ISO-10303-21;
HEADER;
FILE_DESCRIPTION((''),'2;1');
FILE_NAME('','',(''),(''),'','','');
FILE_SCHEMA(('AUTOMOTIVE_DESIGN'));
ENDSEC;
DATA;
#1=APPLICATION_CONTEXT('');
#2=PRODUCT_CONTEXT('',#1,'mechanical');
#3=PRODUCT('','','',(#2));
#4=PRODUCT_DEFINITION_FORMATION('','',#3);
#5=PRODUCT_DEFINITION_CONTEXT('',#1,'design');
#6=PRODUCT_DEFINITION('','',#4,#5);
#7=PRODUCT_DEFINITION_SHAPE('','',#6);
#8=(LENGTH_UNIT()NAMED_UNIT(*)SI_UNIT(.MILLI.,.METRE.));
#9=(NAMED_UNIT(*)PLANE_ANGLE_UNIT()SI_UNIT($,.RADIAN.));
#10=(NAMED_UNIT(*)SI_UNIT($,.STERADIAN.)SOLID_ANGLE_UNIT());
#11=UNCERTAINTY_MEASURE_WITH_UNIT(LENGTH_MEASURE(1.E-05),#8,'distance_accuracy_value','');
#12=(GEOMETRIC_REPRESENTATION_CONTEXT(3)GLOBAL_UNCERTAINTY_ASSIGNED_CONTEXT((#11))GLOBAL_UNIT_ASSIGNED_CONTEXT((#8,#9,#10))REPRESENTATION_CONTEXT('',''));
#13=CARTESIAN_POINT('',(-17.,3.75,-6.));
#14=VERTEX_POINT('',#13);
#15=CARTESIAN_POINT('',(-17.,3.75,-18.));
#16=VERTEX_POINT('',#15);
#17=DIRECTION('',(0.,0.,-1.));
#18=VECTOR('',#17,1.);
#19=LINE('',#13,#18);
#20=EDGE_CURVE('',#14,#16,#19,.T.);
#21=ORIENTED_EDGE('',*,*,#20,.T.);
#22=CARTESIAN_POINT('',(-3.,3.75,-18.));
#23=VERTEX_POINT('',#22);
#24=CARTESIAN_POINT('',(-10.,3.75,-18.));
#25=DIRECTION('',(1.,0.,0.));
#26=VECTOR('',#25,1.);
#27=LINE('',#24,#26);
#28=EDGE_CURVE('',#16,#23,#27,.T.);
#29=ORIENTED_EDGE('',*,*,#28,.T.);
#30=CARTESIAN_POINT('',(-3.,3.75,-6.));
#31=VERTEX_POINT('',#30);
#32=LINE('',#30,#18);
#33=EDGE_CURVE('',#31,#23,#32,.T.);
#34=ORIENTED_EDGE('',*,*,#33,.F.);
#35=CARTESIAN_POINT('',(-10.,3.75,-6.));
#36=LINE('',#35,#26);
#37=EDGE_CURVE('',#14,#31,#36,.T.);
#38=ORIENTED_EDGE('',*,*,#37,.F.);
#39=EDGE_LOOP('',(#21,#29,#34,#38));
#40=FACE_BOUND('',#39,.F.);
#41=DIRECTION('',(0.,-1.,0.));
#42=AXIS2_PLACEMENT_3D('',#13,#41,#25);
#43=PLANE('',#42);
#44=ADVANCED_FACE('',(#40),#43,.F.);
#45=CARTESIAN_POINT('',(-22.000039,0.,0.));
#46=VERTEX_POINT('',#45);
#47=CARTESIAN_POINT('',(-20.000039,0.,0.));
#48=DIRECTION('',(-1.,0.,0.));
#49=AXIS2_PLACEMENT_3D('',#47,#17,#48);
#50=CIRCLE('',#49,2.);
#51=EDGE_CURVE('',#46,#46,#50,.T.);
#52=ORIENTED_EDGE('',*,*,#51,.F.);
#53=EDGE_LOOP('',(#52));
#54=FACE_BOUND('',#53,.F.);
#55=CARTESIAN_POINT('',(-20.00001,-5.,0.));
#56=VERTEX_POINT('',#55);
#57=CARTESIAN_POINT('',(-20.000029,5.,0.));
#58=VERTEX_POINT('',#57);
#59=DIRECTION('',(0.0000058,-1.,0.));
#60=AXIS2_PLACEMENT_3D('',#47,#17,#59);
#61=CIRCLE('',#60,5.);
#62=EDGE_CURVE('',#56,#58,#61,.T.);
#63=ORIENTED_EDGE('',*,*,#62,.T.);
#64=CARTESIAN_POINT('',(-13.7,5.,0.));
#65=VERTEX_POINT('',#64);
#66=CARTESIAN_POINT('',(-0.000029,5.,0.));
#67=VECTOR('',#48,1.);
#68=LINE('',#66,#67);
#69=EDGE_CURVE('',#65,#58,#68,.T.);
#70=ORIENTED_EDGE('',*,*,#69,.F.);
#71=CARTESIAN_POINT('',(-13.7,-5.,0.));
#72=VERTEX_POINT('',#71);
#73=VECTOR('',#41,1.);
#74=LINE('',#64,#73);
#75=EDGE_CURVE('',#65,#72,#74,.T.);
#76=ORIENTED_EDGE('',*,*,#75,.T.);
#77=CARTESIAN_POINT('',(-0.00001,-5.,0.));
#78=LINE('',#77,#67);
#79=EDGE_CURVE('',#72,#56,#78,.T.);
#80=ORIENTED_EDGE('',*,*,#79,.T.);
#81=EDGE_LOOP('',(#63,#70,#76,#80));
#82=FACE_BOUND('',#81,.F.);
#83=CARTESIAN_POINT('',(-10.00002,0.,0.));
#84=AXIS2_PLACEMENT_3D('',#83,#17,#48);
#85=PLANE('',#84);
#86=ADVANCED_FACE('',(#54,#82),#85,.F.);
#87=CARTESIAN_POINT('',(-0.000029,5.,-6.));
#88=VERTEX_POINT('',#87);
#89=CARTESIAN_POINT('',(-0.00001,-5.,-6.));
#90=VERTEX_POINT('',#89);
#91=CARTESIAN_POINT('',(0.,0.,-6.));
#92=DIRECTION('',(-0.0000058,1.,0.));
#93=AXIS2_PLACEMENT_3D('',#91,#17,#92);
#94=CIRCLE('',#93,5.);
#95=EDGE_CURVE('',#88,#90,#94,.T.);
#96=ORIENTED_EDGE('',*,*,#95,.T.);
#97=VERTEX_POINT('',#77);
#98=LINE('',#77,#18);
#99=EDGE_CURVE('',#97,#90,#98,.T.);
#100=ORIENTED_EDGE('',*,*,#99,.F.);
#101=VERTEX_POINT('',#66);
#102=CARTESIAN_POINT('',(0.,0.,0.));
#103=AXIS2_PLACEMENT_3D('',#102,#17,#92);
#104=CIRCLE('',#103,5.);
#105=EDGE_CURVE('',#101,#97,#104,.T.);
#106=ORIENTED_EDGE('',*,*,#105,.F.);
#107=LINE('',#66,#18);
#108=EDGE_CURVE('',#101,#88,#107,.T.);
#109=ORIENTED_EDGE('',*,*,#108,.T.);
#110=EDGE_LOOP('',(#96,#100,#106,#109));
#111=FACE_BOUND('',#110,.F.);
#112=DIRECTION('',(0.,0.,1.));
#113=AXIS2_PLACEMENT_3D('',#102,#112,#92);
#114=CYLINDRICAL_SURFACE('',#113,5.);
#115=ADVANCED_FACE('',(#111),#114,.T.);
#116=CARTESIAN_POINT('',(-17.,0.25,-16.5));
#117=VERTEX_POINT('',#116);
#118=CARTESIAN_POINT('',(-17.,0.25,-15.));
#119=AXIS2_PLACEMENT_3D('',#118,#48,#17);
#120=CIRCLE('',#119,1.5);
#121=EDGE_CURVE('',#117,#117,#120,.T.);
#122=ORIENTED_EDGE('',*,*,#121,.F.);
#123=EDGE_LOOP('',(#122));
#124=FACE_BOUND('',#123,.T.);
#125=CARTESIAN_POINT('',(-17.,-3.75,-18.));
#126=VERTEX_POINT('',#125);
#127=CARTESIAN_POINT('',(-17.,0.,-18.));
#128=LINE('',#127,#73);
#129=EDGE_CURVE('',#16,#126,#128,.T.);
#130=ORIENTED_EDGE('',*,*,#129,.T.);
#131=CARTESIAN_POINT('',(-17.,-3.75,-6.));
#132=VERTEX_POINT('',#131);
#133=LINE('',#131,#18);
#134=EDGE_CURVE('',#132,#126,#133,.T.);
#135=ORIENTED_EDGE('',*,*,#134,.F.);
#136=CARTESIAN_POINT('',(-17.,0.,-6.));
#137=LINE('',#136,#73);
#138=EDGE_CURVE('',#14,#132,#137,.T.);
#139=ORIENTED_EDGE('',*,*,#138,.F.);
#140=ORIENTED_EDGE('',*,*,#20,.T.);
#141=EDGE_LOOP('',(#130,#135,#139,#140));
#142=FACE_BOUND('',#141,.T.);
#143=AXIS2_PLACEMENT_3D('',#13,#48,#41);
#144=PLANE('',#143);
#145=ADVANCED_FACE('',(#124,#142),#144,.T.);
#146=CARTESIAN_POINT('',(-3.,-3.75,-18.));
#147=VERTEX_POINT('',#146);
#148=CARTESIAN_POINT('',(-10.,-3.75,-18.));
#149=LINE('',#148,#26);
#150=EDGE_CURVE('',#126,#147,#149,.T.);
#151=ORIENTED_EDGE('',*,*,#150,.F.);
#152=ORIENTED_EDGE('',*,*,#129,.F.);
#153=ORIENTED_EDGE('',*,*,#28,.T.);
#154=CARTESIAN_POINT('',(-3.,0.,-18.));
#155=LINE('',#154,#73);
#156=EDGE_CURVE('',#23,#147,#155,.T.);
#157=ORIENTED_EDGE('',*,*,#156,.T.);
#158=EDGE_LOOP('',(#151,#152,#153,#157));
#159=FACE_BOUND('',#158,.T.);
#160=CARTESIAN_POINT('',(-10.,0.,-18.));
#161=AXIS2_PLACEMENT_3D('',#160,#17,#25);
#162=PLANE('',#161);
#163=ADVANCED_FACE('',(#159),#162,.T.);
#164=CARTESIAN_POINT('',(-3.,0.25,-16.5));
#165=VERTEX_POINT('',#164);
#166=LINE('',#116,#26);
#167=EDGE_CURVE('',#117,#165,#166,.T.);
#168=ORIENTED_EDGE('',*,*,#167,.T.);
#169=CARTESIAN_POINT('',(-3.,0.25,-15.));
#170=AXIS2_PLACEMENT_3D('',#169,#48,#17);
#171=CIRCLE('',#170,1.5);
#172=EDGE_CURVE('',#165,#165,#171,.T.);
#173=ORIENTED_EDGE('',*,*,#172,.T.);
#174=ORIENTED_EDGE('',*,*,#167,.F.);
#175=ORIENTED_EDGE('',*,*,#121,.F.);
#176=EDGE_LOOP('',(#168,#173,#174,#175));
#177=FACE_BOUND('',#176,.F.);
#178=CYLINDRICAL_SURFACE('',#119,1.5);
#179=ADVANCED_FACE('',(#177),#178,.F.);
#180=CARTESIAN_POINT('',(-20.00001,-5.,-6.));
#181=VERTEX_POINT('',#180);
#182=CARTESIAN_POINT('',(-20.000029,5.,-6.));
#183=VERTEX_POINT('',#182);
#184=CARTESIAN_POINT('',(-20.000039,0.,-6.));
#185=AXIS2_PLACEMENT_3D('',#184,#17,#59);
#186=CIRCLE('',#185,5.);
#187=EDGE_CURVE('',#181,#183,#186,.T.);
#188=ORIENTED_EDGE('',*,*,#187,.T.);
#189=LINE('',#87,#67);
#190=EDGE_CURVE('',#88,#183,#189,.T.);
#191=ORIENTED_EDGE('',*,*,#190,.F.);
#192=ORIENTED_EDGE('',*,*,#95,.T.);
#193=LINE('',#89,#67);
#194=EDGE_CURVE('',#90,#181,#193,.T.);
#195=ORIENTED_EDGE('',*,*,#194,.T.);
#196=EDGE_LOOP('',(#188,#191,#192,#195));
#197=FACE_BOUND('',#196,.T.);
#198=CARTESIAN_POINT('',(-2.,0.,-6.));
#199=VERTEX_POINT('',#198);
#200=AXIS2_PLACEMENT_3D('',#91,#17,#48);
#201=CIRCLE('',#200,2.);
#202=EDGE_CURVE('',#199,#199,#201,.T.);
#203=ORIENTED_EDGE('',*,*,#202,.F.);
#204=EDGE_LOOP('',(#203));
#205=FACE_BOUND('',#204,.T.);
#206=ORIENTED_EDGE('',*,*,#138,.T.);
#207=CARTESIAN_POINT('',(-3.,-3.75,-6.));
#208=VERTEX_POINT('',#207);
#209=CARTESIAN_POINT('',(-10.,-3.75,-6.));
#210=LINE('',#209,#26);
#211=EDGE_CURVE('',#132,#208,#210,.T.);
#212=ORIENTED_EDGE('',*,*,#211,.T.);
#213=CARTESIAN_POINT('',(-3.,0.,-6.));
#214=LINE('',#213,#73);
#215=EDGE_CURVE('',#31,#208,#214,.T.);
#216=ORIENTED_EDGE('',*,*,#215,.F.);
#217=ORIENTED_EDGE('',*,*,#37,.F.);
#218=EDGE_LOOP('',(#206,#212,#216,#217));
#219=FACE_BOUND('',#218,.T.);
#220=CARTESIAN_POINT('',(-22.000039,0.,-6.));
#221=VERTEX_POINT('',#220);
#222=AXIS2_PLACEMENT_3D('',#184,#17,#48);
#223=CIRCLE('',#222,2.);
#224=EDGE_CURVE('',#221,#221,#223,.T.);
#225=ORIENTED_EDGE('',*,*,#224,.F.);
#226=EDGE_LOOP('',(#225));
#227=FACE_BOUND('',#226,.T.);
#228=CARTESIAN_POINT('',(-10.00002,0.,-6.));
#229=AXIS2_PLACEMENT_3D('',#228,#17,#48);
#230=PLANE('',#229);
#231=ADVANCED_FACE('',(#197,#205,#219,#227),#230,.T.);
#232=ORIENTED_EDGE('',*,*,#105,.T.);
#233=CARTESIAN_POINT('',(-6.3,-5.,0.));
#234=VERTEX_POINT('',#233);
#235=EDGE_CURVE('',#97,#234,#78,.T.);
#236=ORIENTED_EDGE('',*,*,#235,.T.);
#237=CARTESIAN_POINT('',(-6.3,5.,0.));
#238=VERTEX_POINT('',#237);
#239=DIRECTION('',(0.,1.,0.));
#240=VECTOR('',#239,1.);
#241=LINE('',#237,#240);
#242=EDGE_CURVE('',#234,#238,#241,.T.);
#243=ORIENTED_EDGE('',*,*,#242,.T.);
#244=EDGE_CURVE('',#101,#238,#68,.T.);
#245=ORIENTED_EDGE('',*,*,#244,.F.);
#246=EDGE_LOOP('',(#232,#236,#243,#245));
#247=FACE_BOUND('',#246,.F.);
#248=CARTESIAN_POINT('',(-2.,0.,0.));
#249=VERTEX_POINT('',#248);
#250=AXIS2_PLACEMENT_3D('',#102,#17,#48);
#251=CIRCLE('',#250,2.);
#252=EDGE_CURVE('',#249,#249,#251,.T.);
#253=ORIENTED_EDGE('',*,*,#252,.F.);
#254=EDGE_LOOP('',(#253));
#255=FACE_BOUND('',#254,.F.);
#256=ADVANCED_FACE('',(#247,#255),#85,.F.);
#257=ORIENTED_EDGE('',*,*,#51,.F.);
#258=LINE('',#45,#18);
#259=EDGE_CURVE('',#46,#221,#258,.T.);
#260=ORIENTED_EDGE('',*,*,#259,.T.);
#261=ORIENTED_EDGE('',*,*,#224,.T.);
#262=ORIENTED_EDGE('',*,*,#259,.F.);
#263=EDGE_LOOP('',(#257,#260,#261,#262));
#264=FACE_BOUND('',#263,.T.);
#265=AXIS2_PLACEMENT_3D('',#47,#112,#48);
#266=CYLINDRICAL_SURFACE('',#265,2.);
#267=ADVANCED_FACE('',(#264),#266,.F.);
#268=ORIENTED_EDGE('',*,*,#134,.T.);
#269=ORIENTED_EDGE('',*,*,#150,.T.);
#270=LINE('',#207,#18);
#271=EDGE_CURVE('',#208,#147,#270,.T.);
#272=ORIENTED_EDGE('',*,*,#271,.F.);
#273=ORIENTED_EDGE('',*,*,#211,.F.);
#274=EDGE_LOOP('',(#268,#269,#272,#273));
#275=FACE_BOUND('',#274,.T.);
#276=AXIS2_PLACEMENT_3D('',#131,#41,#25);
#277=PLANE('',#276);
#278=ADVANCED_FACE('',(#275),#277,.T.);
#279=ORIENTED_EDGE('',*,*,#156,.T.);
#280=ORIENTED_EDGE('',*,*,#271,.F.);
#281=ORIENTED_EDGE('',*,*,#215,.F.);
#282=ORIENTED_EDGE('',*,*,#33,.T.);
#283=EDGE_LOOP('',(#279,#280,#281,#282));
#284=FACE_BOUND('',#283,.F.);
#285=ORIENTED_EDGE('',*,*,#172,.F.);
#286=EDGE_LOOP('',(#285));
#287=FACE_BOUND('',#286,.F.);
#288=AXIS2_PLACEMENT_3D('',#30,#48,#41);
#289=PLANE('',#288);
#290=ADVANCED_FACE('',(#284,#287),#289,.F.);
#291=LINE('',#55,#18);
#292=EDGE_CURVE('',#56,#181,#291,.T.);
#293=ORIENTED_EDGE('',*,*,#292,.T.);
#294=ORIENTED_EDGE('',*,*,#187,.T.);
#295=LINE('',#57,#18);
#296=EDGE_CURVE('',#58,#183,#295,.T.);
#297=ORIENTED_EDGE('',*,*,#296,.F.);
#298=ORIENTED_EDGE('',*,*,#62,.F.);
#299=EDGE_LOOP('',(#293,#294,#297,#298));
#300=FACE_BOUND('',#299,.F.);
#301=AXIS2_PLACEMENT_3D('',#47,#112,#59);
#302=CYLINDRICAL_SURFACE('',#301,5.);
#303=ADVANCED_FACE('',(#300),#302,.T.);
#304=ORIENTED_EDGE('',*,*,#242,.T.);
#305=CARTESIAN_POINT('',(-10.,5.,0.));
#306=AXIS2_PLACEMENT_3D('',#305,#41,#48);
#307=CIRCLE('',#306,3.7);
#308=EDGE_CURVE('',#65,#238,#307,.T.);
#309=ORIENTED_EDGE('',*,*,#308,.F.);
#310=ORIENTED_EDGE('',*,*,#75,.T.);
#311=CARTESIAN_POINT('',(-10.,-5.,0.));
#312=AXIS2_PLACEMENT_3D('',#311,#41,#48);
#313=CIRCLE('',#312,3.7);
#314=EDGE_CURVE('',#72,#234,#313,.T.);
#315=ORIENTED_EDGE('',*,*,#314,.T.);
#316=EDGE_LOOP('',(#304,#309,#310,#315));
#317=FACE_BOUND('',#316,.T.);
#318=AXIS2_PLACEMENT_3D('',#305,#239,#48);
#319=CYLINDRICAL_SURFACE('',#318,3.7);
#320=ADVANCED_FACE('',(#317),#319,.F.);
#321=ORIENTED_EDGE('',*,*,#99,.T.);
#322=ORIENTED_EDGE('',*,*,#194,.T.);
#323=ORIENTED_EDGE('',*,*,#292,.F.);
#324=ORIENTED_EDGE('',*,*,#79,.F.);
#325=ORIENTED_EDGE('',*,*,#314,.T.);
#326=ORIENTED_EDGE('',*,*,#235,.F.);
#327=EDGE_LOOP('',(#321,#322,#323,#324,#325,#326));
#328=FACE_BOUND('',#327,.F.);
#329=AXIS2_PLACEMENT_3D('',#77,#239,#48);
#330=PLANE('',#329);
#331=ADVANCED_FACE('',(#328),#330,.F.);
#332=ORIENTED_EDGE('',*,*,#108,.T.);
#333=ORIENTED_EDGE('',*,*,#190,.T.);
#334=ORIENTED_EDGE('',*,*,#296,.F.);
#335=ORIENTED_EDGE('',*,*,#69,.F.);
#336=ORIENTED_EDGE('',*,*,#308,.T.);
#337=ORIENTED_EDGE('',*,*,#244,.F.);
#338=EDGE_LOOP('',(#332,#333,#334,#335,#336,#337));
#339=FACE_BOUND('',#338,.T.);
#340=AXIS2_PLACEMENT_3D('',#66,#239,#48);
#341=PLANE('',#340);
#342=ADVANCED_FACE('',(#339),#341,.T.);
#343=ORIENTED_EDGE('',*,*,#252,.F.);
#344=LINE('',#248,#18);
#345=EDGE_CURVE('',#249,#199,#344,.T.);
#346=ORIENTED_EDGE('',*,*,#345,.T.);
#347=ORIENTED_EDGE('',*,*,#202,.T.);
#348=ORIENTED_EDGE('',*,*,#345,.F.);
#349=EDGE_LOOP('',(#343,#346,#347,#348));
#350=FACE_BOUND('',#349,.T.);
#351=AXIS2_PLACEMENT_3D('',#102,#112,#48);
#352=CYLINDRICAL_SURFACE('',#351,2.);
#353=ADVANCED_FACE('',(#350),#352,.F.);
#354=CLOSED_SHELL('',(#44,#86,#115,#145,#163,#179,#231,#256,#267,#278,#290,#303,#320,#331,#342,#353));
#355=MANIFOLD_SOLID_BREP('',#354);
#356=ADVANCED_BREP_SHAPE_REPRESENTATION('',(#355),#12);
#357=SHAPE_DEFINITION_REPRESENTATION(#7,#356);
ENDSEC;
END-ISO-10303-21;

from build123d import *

# Parameters (mm, degrees)
SKETCH_R             = 2
PAD_DEPTH            = 6
CYLINDER_R           = 3.7
CYLINDER_DEPTH       = 10
SKETCH001_W          = 14
SKETCH001_H          = 7.5
PAD001_DEPTH         = 12
SKETCH002_R          = 1.5
POCKET_DEPTH         = 14
BODY_PLACEMENT_ANGLE = 180


with BuildPart() as part:
    # Sketch → Pad (new body)
    with BuildSketch(Plane.XY):
        with BuildLine():
            ThreePointArc((2.9e-05, 5), (-5, 1e-05), (1e-05, -5))
            Line((1e-05, -5), (20.00001, -5))
            ThreePointArc((20.00001, -5), (25.000039, -1e-05), (20.000029, 5))
            Line((2.9e-05, 5), (20.000029, 5))
        make_face()
        Circle(SKETCH_R, mode=Mode.SUBTRACT)
        with Locations((20.000039, 0)):
            Circle(SKETCH_R, mode=Mode.SUBTRACT)
    extrude(amount=PAD_DEPTH)

    # Cylinder → Cylinder (cut)
    with BuildSketch(Plane(origin=(10, 5, 0), x_dir=(1, 0, 0), z_dir=(0, -1, 0))):
        Circle(CYLINDER_R)
    extrude(amount=CYLINDER_DEPTH, mode=Mode.SUBTRACT)

    # Sketch001 (on Face5 of Cylinder) → Pad001 (join)
    with BuildSketch(Plane(origin=(10, 5, 6), x_dir=(-1, 0, 0), z_dir=(0, 0, 1))):
        with Locations((0, 5)):
            Rectangle(SKETCH001_W, SKETCH001_H)
    extrude(amount=PAD001_DEPTH)

    # Sketch002 (on Face10 of Pad001) → Pocket (cut)
    with BuildSketch(Plane(origin=(17, 5, 0), x_dir=(0, 0, 1), z_dir=(1, 0, 0))):
        with Locations((15, 4.75)):
            Circle(SKETCH002_R)
    extrude(amount=-POCKET_DEPTH, mode=Mode.SUBTRACT)


with BuildPart() as part_1:
    # Body placement: moved
    add(part.part.rotate(Axis((0, 0, 0), (0, 1, 0)), BODY_PLACEMENT_ANGLE))


solid = part_1.part
